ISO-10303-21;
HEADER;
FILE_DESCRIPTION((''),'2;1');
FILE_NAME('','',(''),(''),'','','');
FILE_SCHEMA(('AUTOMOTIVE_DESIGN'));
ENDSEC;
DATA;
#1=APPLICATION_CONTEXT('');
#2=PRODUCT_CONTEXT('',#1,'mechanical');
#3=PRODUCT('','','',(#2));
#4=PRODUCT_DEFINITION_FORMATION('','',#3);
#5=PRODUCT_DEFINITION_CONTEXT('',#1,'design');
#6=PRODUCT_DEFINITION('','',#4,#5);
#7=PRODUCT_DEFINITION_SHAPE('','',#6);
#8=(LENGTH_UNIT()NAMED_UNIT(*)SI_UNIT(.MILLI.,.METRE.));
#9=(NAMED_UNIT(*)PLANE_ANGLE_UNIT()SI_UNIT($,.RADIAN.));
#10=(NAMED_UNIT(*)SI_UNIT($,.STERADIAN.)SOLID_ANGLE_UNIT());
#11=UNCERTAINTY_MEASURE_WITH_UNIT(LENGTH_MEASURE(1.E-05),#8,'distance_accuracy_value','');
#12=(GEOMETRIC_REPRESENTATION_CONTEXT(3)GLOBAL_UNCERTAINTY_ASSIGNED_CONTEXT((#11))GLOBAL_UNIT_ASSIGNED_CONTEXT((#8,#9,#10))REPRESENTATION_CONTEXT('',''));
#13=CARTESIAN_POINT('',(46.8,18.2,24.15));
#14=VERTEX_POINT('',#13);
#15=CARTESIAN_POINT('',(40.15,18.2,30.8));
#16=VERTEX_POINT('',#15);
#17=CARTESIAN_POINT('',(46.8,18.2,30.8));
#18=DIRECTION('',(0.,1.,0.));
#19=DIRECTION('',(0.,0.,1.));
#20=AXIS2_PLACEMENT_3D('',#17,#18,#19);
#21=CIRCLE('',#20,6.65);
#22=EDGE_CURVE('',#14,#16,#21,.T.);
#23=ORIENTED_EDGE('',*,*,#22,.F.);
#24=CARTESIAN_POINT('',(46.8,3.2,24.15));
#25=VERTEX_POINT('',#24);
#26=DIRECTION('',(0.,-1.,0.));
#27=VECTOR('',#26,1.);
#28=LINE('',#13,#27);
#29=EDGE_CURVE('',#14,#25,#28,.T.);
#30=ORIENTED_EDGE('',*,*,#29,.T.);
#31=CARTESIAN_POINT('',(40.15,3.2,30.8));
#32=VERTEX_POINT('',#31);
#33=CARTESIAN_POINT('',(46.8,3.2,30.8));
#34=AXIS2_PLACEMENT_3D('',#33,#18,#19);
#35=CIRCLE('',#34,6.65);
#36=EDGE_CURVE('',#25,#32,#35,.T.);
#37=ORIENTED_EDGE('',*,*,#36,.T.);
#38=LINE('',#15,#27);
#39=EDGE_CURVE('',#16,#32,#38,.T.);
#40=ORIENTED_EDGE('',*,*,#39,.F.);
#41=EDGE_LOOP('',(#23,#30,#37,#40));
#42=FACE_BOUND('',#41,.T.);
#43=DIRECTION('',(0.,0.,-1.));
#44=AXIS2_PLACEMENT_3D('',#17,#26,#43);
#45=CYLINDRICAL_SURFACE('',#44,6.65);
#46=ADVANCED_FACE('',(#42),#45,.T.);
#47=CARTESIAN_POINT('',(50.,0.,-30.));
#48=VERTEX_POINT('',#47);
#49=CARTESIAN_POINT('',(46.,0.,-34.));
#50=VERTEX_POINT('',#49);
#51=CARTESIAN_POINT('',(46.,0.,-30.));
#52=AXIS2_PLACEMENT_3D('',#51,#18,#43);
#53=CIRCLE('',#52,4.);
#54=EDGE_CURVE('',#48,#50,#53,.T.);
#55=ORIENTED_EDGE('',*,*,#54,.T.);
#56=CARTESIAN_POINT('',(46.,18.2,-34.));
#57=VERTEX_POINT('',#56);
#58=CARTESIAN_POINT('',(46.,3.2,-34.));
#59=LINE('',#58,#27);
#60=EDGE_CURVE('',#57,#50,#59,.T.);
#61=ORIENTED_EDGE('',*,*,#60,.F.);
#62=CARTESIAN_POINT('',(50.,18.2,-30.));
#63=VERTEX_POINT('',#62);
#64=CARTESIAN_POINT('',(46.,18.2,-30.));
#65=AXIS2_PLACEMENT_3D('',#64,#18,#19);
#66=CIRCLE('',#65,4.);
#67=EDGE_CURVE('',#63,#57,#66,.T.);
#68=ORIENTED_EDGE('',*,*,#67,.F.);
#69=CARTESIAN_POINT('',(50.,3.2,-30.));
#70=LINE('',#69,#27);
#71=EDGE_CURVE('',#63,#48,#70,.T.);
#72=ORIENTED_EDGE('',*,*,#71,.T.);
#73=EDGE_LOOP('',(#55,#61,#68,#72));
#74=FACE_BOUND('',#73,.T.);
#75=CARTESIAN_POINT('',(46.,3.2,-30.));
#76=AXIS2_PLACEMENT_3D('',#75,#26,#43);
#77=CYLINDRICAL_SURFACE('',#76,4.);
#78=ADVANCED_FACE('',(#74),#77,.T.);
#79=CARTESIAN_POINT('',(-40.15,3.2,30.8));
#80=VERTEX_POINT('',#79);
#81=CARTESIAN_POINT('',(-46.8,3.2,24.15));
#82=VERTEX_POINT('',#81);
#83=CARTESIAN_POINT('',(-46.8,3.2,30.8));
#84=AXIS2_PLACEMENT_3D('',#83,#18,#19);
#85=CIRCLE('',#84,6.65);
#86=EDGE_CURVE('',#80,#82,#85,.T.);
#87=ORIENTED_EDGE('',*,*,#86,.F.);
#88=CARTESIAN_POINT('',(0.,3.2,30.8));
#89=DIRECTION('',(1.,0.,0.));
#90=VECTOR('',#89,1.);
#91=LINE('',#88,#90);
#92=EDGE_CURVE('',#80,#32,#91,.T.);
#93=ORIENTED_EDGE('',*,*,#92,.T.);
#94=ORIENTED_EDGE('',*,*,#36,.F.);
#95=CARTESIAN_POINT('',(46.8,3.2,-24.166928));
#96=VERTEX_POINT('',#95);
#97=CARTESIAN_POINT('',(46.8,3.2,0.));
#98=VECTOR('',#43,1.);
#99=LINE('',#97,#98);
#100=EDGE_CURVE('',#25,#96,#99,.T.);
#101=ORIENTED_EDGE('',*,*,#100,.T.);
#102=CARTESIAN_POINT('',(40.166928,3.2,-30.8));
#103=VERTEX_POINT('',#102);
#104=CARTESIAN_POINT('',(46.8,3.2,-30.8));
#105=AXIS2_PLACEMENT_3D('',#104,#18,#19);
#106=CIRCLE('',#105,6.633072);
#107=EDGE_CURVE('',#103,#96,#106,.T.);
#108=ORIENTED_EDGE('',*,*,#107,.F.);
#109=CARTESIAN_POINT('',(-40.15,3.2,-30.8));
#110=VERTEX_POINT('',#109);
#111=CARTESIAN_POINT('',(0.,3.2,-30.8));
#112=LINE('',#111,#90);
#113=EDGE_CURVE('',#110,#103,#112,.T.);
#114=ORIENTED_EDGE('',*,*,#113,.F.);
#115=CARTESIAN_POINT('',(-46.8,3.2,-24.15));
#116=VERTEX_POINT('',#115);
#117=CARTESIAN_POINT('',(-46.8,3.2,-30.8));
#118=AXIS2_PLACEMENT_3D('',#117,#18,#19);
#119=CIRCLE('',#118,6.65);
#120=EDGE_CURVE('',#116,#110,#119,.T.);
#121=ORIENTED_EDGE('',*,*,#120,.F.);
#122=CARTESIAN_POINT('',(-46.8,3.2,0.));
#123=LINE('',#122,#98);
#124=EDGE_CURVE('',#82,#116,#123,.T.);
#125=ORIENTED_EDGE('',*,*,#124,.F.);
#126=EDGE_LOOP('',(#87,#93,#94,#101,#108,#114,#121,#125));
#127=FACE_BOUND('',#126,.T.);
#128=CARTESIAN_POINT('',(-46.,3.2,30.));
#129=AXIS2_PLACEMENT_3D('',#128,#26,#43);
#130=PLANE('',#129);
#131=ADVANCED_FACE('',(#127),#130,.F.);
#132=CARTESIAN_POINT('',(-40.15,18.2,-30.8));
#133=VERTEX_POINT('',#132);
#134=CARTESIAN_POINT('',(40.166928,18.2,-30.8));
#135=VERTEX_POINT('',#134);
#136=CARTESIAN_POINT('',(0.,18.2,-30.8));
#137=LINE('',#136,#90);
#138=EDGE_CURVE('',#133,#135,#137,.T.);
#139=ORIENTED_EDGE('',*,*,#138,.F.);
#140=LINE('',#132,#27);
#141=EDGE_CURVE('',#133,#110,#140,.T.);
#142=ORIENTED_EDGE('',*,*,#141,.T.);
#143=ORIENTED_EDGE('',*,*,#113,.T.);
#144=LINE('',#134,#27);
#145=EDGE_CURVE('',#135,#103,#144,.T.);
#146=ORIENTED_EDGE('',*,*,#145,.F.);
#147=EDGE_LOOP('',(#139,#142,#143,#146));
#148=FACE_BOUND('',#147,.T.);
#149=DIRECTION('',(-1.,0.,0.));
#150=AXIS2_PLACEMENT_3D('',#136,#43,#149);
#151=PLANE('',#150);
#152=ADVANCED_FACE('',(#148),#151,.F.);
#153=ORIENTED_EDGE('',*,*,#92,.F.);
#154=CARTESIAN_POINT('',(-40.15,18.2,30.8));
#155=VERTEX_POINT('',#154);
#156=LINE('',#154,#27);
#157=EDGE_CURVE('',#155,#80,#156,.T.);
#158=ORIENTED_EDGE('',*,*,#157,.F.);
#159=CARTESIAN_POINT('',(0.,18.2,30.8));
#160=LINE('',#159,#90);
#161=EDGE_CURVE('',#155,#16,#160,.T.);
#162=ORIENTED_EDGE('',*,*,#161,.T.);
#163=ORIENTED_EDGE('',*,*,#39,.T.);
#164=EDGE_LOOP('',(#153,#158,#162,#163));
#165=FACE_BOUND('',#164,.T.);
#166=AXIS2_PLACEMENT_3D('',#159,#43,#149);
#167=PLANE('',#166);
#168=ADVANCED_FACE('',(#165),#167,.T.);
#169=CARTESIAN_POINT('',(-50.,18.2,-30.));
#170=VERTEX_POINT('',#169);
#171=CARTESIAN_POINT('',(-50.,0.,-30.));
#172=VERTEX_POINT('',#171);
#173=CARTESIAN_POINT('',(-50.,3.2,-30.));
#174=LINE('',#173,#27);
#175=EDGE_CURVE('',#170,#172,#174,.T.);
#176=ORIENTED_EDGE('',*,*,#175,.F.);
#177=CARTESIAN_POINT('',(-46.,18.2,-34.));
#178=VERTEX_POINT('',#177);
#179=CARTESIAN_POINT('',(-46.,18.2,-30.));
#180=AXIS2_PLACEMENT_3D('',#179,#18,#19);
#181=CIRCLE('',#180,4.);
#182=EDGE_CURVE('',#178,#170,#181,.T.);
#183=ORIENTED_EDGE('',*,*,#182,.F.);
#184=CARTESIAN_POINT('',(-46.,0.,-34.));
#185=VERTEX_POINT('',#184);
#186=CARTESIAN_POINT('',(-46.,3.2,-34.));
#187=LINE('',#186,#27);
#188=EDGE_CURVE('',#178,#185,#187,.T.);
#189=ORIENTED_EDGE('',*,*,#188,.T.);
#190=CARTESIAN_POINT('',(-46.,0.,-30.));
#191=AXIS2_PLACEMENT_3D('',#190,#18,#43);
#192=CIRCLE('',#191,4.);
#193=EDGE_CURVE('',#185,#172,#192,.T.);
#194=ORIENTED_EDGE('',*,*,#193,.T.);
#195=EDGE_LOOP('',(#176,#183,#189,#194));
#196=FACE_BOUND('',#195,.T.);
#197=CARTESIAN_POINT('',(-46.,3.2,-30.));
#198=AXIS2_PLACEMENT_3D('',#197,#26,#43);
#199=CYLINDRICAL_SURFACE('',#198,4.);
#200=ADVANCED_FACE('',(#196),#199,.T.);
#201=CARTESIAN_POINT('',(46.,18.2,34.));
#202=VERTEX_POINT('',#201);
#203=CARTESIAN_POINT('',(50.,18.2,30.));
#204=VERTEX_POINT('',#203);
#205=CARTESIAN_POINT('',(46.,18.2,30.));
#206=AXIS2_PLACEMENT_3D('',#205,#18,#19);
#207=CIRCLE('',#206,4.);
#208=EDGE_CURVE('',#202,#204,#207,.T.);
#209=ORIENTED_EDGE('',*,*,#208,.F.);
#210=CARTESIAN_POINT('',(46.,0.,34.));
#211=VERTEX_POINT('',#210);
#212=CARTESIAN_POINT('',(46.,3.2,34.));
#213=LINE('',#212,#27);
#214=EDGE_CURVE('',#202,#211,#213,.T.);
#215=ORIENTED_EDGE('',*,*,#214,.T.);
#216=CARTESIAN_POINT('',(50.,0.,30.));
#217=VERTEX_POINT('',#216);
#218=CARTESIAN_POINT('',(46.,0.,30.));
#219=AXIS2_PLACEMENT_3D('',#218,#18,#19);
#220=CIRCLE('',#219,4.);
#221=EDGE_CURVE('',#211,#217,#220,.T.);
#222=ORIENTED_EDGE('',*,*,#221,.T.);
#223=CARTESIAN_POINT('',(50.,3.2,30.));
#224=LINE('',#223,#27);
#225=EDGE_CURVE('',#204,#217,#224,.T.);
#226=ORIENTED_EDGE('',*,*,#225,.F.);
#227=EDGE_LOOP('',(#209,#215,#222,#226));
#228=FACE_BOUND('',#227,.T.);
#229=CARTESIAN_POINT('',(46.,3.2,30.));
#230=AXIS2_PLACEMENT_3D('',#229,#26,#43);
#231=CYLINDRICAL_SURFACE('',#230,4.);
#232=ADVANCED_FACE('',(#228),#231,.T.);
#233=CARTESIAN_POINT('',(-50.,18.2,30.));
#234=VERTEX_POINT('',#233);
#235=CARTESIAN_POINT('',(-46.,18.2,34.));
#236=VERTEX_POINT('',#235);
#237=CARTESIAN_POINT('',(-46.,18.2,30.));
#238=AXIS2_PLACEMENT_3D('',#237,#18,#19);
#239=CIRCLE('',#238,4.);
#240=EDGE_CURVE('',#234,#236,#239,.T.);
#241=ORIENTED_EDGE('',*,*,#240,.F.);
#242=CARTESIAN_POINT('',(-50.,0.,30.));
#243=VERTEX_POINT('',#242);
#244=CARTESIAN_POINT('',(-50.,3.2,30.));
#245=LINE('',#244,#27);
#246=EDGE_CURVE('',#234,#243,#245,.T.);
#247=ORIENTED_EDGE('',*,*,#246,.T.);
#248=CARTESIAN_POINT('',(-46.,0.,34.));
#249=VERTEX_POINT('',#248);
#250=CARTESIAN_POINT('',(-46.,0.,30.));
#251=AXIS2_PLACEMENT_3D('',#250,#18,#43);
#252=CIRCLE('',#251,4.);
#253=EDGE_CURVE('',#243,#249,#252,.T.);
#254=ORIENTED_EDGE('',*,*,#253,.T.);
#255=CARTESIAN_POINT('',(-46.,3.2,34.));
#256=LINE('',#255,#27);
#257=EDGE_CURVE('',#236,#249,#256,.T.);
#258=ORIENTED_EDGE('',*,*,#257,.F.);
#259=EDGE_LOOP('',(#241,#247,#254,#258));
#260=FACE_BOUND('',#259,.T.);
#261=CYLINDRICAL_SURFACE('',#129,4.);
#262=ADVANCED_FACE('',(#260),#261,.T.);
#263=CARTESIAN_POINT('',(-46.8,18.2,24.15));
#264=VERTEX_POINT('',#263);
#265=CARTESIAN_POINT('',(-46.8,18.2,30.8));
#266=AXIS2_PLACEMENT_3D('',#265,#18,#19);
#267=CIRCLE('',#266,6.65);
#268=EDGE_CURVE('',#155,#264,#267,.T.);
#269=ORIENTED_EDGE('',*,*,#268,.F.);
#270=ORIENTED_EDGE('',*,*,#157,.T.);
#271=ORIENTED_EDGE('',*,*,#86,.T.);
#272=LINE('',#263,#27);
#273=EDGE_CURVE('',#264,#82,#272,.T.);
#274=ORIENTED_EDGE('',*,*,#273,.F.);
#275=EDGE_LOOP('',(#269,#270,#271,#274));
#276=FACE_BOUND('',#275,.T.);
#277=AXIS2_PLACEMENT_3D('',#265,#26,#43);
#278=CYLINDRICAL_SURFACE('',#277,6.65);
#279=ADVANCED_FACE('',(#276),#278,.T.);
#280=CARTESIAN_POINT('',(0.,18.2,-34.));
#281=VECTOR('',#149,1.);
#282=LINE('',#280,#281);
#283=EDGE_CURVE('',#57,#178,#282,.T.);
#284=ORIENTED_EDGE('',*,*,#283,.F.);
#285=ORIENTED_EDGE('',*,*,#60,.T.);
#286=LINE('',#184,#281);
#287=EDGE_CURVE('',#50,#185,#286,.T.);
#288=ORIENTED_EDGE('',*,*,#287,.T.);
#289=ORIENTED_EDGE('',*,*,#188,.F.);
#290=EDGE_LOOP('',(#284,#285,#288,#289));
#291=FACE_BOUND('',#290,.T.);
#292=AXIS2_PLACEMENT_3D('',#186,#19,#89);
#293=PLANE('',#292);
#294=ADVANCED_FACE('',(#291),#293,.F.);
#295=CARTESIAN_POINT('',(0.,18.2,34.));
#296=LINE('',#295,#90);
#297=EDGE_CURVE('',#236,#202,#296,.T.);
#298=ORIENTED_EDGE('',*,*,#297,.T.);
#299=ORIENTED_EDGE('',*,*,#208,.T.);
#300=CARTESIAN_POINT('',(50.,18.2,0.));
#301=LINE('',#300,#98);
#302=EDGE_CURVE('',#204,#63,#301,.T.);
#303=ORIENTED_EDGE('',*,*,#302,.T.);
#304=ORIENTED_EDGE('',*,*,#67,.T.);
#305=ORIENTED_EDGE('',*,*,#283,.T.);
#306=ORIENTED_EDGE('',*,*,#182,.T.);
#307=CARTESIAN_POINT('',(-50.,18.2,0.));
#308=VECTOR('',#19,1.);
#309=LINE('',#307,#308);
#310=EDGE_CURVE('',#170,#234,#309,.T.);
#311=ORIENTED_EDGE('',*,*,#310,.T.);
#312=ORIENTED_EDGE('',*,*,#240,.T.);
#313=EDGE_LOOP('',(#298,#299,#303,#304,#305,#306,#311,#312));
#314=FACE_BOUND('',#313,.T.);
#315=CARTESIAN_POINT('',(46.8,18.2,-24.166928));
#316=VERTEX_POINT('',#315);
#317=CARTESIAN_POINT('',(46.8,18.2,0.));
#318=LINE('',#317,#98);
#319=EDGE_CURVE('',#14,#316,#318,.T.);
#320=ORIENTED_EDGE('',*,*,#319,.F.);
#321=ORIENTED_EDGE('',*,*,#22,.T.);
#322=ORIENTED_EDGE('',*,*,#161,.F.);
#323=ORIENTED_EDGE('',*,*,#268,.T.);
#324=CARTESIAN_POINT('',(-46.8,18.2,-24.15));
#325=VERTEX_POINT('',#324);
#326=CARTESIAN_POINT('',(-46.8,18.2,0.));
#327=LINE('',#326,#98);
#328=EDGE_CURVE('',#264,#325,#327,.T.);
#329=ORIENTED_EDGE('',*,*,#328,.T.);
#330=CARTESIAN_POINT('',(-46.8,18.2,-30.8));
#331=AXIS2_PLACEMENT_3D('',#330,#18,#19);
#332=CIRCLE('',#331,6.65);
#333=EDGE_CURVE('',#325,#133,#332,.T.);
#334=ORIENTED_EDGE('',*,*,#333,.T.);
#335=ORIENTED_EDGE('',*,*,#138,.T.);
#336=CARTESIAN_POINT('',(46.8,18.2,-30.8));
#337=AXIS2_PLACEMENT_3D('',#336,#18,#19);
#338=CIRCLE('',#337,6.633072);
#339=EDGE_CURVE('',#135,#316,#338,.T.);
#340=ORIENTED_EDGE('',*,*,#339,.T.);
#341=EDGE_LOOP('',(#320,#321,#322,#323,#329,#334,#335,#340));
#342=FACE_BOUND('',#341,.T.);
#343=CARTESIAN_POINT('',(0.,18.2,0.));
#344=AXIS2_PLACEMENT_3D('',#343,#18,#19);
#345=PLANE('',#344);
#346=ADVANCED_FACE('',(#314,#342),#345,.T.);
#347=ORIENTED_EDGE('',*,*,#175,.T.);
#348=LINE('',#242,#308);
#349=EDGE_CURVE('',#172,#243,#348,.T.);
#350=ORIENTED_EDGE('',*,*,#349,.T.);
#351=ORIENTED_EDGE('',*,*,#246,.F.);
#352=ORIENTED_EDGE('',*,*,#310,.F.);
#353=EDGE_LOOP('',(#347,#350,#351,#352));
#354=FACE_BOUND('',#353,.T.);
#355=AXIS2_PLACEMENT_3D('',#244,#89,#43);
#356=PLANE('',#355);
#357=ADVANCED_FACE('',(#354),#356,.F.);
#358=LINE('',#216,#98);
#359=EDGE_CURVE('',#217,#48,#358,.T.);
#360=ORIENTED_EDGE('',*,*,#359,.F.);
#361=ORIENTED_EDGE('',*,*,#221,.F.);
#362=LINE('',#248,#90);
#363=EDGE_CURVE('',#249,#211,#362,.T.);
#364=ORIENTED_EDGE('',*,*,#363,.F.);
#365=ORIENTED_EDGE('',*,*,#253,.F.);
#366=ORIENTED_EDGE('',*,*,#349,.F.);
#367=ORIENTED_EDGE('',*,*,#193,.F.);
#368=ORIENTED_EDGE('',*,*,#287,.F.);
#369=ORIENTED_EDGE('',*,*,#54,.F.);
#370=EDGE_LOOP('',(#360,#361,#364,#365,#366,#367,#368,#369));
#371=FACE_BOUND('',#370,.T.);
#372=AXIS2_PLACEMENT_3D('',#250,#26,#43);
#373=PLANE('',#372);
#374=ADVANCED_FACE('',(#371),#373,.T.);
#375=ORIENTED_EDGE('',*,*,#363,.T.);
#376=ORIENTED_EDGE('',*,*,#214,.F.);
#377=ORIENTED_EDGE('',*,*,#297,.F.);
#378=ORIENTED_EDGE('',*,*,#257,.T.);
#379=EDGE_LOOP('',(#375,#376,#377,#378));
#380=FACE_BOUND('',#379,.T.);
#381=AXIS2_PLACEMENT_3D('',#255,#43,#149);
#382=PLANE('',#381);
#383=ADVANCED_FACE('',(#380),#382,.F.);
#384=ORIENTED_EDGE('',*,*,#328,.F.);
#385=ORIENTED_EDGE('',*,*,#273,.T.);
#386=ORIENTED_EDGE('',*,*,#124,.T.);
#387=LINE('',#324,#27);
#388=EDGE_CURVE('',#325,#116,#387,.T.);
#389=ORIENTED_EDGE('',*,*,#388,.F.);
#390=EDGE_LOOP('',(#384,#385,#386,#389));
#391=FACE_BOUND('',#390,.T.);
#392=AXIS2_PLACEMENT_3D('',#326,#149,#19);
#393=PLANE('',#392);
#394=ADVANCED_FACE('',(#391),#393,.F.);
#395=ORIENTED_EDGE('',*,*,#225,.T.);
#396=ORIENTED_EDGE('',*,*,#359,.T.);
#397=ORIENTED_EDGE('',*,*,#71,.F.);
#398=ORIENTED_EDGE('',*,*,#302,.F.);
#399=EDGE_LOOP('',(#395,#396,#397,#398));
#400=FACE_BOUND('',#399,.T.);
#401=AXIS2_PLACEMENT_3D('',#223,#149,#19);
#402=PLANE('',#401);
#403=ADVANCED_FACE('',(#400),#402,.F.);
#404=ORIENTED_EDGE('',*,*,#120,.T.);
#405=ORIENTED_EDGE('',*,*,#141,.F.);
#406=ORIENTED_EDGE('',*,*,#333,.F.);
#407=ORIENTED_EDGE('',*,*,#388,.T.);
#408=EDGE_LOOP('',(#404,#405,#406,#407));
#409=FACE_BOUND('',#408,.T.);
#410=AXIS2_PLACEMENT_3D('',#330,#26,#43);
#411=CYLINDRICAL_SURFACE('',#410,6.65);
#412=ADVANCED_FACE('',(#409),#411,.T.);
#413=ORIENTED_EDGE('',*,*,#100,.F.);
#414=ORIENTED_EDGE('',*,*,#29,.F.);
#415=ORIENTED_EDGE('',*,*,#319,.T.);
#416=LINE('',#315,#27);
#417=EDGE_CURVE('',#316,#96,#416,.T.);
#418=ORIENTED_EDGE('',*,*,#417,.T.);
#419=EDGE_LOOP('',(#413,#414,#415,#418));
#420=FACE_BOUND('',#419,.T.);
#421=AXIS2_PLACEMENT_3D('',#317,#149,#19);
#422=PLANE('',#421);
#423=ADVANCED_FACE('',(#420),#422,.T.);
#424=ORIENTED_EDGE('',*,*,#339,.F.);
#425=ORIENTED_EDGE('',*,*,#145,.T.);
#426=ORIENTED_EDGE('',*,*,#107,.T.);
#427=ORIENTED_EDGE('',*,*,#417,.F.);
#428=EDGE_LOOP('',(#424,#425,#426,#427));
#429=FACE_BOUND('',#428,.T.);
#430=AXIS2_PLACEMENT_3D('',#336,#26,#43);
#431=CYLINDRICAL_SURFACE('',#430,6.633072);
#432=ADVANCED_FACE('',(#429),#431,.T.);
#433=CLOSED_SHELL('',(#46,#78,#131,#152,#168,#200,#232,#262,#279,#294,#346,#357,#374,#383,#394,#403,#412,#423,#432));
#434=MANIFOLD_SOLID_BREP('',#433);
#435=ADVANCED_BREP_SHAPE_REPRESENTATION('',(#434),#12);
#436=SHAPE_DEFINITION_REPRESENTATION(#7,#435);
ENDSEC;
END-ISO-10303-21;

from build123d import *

# Parameters (mm, degrees)
BOSS_EXTRUDE1_DEPTH = 3.2
BOSS_EXTRUDE2_DEPTH = 15


with BuildPart() as part:
    # Sketch1 → Boss-Extrude1 (new body)
    with BuildSketch(Plane(origin=(0, 0, 0), x_dir=(1, 0, 0), z_dir=(0, 1, 0))):
        with BuildLine():
            Line((-46, -34), (46, -34))
            ThreePointArc((46, -34), (48.828427125, -32.828427125), (50, -30))
            Line((50, -30), (50, 30))
            ThreePointArc((50, 30), (48.828427125, 32.828427125), (46, 34))
            Line((46, 34), (-46, 34))
            ThreePointArc((-46, 34), (-48.828427125, 32.828427125), (-50, 30))
            Line((-50, 30), (-50, -30))
            ThreePointArc((-50, -30), (-48.828427125, -32.828427125), (-46, -34))
        make_face()
    extrude(amount=BOSS_EXTRUDE1_DEPTH)

    # Sketch2 → Boss-Extrude2 (add)
    with BuildSketch(Plane(origin=(0, 3.2, 0), x_dir=(1, 0, 0), z_dir=(0, 1, 0))):
        with BuildLine():
            ThreePointArc((-48.594612634, -33.044336591), (-47.382507439, -33.753488135), (-46, -34))
            Line((-46, -34), (46, -34))
            ThreePointArc((46, -34), (48.828427125, -32.828427125), (50, -30))
            Line((50, -30), (50, 30))
            ThreePointArc((50, 30), (48.828427125, 32.828427125), (46, 34))
            Line((46, 34), (-46, 34))
            ThreePointArc((-46, 34), (-47.382507439, 33.753488135), (-48.594612634, 33.044336591))
            ThreePointArc((-48.594612634, 33.044336591), (-49.631697298, 31.676536529), (-50, 30))
            Line((-50, 30), (-50, -27.196030412))
            Line((-50, -27.196030412), (-50, -30))
            ThreePointArc((-50, -30), (-49.631697298, -31.676536529), (-48.594612634, -33.044336591))
        make_face()
        with BuildLine():
            ThreePointArc((-41.245050157, -27.144178308), (-43.644743612, -24.94621002), (-46.8, -24.15))
            Line((-46.8, -24.15), (-46.8, 24.15))
            ThreePointArc((-46.8, 24.15), (-43.644743612, 24.94621002), (-41.245050157, 27.144178308))
            ThreePointArc((-41.245050157, 27.144178308), (-40.429642221, 28.891848598), (-40.15, 30.8))
            Line((-40.15, 30.8), (40.166928077, 30.8))
            ThreePointArc((40.166928077, 30.8), (40.445858448, 28.896705942), (41.259190701, 27.153484478))
            ThreePointArc((41.259190701, 27.153484478), (43.652775555, 24.961111285), (46.8, 24.166928077))
            Line((46.8, 24.166928077), (46.8, -24.15))
            ThreePointArc((46.8, -24.15), (43.644743612, -24.94621002), (41.245050157, -27.144178308))
            ThreePointArc((41.245050157, -27.144178308), (40.429642221, -28.891848598), (40.15, -30.8))
            Line((40.15, -30.8), (-40.15, -30.8))
            ThreePointArc((-40.15, -30.8), (-40.429642221, -28.891848598), (-41.245050157, -27.144178308))
        make_face(mode=Mode.SUBTRACT)
    extrude(amount=BOSS_EXTRUDE2_DEPTH)


solid = part.part
